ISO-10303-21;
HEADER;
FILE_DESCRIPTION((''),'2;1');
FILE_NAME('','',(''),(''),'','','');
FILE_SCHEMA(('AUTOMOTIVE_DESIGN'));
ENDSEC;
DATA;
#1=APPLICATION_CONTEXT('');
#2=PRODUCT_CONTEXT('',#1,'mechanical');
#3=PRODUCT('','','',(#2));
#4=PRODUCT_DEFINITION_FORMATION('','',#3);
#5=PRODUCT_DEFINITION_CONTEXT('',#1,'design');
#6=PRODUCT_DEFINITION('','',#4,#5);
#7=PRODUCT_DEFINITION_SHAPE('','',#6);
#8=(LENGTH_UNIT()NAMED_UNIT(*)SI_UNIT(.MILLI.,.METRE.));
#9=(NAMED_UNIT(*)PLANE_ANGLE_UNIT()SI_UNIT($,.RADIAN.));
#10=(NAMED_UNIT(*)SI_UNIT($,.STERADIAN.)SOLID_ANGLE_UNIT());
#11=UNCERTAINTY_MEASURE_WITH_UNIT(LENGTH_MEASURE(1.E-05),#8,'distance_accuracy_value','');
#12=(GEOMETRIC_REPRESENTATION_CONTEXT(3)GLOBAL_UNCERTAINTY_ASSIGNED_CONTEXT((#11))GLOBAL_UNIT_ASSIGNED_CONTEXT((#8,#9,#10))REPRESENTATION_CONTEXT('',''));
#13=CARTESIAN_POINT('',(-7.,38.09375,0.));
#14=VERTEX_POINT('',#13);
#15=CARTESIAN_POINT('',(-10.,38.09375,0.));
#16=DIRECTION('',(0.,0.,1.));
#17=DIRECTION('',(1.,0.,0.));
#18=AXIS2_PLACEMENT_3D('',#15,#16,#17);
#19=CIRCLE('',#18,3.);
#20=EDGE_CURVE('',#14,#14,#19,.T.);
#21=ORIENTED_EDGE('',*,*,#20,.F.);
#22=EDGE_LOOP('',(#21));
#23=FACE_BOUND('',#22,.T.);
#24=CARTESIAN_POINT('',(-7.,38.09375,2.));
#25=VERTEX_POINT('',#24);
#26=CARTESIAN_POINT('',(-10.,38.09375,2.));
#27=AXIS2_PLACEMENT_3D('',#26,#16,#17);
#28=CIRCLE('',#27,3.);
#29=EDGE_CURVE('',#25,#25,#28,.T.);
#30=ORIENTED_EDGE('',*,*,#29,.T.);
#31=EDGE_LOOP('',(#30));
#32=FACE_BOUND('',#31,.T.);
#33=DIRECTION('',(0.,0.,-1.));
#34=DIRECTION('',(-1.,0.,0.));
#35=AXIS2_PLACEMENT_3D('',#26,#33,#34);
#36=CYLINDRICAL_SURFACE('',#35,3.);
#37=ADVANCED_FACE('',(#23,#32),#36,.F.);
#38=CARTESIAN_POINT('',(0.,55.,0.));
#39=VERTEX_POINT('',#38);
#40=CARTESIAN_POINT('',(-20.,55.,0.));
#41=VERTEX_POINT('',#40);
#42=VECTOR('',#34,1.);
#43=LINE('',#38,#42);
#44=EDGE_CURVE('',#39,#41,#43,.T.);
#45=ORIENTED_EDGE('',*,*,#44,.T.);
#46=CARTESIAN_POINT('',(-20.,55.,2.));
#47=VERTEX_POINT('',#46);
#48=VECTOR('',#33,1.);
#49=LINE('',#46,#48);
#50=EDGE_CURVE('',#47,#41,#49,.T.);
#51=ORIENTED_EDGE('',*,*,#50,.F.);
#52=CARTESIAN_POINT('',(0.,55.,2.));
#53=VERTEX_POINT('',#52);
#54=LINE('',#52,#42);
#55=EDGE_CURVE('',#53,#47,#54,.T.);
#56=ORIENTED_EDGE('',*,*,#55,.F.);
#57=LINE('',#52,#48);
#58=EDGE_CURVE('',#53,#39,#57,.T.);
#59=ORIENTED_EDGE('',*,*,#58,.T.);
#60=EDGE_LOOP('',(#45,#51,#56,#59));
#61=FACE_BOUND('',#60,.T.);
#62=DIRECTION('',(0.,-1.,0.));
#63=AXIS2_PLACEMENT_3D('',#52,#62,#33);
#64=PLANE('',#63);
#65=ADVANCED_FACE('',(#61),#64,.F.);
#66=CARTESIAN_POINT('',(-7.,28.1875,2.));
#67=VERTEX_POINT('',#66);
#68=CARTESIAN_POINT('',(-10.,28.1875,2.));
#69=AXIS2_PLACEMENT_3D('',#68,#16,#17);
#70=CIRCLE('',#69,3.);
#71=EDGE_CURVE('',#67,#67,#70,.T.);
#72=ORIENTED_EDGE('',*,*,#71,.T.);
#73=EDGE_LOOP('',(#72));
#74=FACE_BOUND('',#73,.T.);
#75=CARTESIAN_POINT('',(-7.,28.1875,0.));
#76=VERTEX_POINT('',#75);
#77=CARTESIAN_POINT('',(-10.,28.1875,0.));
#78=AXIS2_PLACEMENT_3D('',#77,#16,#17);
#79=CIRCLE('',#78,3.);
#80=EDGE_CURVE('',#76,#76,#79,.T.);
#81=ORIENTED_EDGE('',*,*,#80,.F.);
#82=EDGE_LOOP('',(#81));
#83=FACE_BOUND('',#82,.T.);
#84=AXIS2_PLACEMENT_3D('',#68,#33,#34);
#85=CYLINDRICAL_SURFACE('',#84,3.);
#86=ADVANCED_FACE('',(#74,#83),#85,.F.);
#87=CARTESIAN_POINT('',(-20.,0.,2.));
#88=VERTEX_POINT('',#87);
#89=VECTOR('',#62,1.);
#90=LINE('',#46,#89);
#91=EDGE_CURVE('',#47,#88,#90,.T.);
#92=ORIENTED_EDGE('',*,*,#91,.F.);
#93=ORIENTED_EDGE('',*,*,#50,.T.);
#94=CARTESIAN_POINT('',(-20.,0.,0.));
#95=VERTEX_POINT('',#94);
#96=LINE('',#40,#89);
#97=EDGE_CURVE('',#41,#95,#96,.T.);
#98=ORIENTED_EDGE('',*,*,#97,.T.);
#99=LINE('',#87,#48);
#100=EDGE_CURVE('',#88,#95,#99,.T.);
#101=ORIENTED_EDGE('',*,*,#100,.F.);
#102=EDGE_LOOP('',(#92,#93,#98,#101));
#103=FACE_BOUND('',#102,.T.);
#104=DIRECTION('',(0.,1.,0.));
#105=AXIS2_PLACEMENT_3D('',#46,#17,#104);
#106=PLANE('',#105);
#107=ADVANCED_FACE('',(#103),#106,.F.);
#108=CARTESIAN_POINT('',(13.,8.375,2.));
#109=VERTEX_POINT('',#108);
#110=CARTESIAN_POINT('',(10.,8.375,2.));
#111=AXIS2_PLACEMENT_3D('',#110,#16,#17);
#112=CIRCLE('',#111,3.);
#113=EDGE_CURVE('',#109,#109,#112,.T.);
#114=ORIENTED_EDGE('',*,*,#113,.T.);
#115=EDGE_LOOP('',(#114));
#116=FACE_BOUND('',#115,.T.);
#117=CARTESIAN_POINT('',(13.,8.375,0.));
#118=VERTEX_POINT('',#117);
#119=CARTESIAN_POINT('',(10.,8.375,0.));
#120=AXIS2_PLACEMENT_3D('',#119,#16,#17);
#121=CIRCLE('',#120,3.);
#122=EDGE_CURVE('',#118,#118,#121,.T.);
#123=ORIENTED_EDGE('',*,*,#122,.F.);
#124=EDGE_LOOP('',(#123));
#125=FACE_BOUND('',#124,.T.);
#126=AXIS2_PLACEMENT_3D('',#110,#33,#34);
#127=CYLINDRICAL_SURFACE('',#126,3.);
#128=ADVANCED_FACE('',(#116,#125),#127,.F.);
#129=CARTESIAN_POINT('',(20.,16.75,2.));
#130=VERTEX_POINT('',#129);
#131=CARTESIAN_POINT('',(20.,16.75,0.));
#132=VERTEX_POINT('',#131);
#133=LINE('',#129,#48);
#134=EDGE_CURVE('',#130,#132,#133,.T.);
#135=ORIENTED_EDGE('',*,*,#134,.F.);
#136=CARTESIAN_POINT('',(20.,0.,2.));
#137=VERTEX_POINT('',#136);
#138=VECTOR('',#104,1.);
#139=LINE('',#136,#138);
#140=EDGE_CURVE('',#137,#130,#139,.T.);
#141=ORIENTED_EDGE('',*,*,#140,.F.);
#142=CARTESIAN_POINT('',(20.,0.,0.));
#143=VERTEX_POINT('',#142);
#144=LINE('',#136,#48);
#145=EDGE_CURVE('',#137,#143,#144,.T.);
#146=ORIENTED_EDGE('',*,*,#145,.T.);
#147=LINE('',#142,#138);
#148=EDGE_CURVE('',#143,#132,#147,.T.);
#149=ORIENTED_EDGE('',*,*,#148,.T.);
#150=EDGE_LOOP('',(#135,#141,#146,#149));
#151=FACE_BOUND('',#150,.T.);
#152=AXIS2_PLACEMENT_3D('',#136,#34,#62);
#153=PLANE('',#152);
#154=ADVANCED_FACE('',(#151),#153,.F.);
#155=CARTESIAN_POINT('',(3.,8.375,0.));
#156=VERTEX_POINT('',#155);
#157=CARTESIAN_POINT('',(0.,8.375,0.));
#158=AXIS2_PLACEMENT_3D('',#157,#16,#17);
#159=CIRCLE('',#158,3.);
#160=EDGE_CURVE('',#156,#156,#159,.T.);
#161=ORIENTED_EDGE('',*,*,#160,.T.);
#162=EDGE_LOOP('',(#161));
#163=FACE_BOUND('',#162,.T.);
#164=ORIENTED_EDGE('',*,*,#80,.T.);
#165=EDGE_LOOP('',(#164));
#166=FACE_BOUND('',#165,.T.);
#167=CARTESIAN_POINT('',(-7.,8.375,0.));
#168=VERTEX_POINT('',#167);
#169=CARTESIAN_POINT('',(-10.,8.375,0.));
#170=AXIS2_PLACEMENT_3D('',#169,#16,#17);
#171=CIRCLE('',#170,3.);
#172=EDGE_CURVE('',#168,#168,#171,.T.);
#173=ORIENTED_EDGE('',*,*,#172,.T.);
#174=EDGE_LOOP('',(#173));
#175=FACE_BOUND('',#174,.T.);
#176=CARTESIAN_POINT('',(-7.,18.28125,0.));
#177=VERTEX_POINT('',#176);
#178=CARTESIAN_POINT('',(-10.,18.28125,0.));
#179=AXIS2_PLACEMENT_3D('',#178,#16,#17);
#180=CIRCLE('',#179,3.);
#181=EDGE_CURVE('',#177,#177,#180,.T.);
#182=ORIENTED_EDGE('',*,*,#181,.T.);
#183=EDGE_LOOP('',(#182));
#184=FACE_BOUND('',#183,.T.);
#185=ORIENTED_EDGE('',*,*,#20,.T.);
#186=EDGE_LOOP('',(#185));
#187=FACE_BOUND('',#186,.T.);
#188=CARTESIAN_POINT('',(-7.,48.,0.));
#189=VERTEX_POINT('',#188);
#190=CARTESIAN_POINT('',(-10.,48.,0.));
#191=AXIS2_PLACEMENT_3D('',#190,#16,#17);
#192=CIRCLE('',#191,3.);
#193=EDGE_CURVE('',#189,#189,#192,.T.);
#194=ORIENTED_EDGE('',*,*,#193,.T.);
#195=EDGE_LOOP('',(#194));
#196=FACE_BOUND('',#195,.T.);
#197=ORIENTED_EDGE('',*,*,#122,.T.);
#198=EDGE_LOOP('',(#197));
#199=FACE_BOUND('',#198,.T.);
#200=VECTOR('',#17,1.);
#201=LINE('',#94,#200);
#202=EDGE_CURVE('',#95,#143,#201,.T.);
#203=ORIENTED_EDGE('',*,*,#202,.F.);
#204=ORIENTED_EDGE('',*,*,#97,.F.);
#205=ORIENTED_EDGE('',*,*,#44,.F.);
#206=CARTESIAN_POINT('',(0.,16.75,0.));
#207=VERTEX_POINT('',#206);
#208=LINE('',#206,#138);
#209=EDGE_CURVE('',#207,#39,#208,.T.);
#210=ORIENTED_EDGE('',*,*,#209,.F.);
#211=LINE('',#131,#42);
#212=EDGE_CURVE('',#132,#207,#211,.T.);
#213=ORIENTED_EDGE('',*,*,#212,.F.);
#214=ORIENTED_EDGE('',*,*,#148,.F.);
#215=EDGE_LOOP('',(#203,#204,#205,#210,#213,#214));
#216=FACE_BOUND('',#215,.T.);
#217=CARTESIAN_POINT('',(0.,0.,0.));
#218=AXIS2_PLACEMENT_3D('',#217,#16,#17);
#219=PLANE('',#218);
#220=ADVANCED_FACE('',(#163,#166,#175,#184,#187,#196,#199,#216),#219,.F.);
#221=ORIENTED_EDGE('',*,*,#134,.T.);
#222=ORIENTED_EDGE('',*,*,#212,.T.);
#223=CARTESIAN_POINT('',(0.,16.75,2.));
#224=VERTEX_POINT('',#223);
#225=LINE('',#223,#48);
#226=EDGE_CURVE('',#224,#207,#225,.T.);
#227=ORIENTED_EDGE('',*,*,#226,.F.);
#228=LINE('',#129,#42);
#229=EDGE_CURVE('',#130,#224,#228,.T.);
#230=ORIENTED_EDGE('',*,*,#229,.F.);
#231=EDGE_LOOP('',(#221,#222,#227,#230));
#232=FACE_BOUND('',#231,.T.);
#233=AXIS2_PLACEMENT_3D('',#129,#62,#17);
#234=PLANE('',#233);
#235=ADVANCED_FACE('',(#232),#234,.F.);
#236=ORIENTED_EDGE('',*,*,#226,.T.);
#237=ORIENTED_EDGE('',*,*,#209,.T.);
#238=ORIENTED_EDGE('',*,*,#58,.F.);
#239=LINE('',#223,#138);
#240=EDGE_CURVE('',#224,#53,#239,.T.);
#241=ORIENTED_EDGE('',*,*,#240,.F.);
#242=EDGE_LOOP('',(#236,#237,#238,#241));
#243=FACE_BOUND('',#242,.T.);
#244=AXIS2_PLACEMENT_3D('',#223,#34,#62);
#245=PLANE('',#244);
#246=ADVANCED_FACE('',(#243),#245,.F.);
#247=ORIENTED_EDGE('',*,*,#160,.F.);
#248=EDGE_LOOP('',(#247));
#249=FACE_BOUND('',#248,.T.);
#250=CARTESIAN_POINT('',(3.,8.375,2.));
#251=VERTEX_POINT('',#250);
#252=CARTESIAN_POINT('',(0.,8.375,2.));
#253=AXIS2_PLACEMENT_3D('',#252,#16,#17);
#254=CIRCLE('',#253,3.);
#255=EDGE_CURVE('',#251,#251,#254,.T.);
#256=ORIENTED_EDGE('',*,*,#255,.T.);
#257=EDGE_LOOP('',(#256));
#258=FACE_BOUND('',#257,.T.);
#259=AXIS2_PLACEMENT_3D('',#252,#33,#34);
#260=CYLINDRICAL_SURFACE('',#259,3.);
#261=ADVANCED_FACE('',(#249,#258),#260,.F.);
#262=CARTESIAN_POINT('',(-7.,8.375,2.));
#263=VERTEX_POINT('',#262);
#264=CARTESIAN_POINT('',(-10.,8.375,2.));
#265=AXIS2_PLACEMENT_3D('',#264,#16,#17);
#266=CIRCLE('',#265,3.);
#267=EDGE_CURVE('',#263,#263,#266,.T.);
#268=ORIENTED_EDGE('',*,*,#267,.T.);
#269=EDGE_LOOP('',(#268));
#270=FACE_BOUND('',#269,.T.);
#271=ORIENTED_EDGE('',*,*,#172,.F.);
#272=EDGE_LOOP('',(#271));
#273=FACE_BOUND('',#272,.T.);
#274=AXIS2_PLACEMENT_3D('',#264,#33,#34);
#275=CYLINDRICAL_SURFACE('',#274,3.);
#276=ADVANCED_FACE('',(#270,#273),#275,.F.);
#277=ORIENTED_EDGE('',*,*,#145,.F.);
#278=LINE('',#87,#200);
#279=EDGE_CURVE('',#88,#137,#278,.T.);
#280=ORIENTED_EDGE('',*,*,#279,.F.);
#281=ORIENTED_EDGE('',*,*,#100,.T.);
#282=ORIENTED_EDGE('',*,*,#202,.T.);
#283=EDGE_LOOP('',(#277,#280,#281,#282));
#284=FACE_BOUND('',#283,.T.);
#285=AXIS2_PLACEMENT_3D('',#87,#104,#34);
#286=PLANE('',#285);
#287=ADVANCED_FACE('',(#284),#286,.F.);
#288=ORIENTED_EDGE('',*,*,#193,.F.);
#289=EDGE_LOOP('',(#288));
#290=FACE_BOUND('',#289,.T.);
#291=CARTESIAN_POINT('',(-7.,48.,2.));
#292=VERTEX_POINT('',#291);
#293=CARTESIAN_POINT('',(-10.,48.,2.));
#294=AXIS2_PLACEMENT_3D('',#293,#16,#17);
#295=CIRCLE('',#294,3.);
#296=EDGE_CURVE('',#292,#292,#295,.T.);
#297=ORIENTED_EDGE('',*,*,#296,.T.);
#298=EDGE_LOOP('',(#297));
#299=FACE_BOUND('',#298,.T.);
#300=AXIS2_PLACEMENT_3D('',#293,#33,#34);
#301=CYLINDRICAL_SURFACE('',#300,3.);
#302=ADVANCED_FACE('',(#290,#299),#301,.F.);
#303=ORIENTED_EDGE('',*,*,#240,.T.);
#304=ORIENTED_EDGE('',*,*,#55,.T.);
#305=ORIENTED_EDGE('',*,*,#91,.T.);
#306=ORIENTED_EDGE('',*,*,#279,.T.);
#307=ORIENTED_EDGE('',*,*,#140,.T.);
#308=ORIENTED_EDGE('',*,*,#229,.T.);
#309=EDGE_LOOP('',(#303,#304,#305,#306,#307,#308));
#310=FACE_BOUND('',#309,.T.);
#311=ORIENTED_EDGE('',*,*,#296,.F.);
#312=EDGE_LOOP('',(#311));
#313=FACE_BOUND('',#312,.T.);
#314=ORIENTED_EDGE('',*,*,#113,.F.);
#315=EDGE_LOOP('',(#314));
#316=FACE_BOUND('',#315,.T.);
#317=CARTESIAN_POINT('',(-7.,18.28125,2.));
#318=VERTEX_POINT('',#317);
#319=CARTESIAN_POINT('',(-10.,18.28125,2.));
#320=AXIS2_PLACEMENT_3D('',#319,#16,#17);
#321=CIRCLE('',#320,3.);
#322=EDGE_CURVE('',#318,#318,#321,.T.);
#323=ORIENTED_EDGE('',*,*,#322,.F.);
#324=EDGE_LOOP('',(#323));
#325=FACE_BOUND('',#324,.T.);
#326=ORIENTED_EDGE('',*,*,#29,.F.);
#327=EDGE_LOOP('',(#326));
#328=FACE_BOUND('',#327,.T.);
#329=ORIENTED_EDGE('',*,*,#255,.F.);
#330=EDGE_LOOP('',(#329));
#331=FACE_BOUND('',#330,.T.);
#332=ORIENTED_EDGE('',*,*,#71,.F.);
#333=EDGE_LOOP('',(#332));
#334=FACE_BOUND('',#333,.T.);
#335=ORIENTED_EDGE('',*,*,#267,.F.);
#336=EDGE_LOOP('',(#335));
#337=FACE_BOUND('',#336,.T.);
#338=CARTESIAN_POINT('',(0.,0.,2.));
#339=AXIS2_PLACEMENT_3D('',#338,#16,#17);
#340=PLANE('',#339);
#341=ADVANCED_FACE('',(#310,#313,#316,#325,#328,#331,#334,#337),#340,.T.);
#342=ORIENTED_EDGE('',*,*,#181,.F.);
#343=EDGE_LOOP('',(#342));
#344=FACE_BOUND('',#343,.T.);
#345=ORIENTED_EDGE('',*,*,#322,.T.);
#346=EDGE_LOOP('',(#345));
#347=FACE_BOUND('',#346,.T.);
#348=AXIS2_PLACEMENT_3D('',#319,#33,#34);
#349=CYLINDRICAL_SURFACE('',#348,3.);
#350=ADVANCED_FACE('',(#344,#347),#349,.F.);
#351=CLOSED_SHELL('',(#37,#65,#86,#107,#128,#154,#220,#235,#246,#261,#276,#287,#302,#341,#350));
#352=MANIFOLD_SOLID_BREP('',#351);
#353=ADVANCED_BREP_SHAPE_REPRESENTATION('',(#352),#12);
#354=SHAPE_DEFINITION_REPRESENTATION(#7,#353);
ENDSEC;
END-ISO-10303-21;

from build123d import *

# Parameters (mm, degrees)
SKETCH1_R           = 3
BOSS_EXTRUDE1_DEPTH = 2


with BuildPart() as part:
    # Sketch1 → Boss-Extrude1 (new body)
    with BuildSketch(Plane.XY):
        Polygon((-20, 55), (-20, 0), (20, 0), (20, 16.75), (0, 16.75), (0, 55), align=None)
        with Locations((-10, 48)):
            Circle(SKETCH1_R, mode=Mode.SUBTRACT)
        with Locations((10, 8.375)):
            Circle(SKETCH1_R, mode=Mode.SUBTRACT)
        with Locations((-10, 38.09375)):
            Circle(SKETCH1_R, mode=Mode.SUBTRACT)
        with Locations((-10, 28.1875)):
            Circle(SKETCH1_R, mode=Mode.SUBTRACT)
        with Locations((-10, 18.28125)):
            Circle(SKETCH1_R, mode=Mode.SUBTRACT)
        with Locations((-10, 8.375)):
            Circle(SKETCH1_R, mode=Mode.SUBTRACT)
        with Locations((0, 8.375)):
            Circle(SKETCH1_R, mode=Mode.SUBTRACT)
    extrude(amount=BOSS_EXTRUDE1_DEPTH)


solid = part.part
